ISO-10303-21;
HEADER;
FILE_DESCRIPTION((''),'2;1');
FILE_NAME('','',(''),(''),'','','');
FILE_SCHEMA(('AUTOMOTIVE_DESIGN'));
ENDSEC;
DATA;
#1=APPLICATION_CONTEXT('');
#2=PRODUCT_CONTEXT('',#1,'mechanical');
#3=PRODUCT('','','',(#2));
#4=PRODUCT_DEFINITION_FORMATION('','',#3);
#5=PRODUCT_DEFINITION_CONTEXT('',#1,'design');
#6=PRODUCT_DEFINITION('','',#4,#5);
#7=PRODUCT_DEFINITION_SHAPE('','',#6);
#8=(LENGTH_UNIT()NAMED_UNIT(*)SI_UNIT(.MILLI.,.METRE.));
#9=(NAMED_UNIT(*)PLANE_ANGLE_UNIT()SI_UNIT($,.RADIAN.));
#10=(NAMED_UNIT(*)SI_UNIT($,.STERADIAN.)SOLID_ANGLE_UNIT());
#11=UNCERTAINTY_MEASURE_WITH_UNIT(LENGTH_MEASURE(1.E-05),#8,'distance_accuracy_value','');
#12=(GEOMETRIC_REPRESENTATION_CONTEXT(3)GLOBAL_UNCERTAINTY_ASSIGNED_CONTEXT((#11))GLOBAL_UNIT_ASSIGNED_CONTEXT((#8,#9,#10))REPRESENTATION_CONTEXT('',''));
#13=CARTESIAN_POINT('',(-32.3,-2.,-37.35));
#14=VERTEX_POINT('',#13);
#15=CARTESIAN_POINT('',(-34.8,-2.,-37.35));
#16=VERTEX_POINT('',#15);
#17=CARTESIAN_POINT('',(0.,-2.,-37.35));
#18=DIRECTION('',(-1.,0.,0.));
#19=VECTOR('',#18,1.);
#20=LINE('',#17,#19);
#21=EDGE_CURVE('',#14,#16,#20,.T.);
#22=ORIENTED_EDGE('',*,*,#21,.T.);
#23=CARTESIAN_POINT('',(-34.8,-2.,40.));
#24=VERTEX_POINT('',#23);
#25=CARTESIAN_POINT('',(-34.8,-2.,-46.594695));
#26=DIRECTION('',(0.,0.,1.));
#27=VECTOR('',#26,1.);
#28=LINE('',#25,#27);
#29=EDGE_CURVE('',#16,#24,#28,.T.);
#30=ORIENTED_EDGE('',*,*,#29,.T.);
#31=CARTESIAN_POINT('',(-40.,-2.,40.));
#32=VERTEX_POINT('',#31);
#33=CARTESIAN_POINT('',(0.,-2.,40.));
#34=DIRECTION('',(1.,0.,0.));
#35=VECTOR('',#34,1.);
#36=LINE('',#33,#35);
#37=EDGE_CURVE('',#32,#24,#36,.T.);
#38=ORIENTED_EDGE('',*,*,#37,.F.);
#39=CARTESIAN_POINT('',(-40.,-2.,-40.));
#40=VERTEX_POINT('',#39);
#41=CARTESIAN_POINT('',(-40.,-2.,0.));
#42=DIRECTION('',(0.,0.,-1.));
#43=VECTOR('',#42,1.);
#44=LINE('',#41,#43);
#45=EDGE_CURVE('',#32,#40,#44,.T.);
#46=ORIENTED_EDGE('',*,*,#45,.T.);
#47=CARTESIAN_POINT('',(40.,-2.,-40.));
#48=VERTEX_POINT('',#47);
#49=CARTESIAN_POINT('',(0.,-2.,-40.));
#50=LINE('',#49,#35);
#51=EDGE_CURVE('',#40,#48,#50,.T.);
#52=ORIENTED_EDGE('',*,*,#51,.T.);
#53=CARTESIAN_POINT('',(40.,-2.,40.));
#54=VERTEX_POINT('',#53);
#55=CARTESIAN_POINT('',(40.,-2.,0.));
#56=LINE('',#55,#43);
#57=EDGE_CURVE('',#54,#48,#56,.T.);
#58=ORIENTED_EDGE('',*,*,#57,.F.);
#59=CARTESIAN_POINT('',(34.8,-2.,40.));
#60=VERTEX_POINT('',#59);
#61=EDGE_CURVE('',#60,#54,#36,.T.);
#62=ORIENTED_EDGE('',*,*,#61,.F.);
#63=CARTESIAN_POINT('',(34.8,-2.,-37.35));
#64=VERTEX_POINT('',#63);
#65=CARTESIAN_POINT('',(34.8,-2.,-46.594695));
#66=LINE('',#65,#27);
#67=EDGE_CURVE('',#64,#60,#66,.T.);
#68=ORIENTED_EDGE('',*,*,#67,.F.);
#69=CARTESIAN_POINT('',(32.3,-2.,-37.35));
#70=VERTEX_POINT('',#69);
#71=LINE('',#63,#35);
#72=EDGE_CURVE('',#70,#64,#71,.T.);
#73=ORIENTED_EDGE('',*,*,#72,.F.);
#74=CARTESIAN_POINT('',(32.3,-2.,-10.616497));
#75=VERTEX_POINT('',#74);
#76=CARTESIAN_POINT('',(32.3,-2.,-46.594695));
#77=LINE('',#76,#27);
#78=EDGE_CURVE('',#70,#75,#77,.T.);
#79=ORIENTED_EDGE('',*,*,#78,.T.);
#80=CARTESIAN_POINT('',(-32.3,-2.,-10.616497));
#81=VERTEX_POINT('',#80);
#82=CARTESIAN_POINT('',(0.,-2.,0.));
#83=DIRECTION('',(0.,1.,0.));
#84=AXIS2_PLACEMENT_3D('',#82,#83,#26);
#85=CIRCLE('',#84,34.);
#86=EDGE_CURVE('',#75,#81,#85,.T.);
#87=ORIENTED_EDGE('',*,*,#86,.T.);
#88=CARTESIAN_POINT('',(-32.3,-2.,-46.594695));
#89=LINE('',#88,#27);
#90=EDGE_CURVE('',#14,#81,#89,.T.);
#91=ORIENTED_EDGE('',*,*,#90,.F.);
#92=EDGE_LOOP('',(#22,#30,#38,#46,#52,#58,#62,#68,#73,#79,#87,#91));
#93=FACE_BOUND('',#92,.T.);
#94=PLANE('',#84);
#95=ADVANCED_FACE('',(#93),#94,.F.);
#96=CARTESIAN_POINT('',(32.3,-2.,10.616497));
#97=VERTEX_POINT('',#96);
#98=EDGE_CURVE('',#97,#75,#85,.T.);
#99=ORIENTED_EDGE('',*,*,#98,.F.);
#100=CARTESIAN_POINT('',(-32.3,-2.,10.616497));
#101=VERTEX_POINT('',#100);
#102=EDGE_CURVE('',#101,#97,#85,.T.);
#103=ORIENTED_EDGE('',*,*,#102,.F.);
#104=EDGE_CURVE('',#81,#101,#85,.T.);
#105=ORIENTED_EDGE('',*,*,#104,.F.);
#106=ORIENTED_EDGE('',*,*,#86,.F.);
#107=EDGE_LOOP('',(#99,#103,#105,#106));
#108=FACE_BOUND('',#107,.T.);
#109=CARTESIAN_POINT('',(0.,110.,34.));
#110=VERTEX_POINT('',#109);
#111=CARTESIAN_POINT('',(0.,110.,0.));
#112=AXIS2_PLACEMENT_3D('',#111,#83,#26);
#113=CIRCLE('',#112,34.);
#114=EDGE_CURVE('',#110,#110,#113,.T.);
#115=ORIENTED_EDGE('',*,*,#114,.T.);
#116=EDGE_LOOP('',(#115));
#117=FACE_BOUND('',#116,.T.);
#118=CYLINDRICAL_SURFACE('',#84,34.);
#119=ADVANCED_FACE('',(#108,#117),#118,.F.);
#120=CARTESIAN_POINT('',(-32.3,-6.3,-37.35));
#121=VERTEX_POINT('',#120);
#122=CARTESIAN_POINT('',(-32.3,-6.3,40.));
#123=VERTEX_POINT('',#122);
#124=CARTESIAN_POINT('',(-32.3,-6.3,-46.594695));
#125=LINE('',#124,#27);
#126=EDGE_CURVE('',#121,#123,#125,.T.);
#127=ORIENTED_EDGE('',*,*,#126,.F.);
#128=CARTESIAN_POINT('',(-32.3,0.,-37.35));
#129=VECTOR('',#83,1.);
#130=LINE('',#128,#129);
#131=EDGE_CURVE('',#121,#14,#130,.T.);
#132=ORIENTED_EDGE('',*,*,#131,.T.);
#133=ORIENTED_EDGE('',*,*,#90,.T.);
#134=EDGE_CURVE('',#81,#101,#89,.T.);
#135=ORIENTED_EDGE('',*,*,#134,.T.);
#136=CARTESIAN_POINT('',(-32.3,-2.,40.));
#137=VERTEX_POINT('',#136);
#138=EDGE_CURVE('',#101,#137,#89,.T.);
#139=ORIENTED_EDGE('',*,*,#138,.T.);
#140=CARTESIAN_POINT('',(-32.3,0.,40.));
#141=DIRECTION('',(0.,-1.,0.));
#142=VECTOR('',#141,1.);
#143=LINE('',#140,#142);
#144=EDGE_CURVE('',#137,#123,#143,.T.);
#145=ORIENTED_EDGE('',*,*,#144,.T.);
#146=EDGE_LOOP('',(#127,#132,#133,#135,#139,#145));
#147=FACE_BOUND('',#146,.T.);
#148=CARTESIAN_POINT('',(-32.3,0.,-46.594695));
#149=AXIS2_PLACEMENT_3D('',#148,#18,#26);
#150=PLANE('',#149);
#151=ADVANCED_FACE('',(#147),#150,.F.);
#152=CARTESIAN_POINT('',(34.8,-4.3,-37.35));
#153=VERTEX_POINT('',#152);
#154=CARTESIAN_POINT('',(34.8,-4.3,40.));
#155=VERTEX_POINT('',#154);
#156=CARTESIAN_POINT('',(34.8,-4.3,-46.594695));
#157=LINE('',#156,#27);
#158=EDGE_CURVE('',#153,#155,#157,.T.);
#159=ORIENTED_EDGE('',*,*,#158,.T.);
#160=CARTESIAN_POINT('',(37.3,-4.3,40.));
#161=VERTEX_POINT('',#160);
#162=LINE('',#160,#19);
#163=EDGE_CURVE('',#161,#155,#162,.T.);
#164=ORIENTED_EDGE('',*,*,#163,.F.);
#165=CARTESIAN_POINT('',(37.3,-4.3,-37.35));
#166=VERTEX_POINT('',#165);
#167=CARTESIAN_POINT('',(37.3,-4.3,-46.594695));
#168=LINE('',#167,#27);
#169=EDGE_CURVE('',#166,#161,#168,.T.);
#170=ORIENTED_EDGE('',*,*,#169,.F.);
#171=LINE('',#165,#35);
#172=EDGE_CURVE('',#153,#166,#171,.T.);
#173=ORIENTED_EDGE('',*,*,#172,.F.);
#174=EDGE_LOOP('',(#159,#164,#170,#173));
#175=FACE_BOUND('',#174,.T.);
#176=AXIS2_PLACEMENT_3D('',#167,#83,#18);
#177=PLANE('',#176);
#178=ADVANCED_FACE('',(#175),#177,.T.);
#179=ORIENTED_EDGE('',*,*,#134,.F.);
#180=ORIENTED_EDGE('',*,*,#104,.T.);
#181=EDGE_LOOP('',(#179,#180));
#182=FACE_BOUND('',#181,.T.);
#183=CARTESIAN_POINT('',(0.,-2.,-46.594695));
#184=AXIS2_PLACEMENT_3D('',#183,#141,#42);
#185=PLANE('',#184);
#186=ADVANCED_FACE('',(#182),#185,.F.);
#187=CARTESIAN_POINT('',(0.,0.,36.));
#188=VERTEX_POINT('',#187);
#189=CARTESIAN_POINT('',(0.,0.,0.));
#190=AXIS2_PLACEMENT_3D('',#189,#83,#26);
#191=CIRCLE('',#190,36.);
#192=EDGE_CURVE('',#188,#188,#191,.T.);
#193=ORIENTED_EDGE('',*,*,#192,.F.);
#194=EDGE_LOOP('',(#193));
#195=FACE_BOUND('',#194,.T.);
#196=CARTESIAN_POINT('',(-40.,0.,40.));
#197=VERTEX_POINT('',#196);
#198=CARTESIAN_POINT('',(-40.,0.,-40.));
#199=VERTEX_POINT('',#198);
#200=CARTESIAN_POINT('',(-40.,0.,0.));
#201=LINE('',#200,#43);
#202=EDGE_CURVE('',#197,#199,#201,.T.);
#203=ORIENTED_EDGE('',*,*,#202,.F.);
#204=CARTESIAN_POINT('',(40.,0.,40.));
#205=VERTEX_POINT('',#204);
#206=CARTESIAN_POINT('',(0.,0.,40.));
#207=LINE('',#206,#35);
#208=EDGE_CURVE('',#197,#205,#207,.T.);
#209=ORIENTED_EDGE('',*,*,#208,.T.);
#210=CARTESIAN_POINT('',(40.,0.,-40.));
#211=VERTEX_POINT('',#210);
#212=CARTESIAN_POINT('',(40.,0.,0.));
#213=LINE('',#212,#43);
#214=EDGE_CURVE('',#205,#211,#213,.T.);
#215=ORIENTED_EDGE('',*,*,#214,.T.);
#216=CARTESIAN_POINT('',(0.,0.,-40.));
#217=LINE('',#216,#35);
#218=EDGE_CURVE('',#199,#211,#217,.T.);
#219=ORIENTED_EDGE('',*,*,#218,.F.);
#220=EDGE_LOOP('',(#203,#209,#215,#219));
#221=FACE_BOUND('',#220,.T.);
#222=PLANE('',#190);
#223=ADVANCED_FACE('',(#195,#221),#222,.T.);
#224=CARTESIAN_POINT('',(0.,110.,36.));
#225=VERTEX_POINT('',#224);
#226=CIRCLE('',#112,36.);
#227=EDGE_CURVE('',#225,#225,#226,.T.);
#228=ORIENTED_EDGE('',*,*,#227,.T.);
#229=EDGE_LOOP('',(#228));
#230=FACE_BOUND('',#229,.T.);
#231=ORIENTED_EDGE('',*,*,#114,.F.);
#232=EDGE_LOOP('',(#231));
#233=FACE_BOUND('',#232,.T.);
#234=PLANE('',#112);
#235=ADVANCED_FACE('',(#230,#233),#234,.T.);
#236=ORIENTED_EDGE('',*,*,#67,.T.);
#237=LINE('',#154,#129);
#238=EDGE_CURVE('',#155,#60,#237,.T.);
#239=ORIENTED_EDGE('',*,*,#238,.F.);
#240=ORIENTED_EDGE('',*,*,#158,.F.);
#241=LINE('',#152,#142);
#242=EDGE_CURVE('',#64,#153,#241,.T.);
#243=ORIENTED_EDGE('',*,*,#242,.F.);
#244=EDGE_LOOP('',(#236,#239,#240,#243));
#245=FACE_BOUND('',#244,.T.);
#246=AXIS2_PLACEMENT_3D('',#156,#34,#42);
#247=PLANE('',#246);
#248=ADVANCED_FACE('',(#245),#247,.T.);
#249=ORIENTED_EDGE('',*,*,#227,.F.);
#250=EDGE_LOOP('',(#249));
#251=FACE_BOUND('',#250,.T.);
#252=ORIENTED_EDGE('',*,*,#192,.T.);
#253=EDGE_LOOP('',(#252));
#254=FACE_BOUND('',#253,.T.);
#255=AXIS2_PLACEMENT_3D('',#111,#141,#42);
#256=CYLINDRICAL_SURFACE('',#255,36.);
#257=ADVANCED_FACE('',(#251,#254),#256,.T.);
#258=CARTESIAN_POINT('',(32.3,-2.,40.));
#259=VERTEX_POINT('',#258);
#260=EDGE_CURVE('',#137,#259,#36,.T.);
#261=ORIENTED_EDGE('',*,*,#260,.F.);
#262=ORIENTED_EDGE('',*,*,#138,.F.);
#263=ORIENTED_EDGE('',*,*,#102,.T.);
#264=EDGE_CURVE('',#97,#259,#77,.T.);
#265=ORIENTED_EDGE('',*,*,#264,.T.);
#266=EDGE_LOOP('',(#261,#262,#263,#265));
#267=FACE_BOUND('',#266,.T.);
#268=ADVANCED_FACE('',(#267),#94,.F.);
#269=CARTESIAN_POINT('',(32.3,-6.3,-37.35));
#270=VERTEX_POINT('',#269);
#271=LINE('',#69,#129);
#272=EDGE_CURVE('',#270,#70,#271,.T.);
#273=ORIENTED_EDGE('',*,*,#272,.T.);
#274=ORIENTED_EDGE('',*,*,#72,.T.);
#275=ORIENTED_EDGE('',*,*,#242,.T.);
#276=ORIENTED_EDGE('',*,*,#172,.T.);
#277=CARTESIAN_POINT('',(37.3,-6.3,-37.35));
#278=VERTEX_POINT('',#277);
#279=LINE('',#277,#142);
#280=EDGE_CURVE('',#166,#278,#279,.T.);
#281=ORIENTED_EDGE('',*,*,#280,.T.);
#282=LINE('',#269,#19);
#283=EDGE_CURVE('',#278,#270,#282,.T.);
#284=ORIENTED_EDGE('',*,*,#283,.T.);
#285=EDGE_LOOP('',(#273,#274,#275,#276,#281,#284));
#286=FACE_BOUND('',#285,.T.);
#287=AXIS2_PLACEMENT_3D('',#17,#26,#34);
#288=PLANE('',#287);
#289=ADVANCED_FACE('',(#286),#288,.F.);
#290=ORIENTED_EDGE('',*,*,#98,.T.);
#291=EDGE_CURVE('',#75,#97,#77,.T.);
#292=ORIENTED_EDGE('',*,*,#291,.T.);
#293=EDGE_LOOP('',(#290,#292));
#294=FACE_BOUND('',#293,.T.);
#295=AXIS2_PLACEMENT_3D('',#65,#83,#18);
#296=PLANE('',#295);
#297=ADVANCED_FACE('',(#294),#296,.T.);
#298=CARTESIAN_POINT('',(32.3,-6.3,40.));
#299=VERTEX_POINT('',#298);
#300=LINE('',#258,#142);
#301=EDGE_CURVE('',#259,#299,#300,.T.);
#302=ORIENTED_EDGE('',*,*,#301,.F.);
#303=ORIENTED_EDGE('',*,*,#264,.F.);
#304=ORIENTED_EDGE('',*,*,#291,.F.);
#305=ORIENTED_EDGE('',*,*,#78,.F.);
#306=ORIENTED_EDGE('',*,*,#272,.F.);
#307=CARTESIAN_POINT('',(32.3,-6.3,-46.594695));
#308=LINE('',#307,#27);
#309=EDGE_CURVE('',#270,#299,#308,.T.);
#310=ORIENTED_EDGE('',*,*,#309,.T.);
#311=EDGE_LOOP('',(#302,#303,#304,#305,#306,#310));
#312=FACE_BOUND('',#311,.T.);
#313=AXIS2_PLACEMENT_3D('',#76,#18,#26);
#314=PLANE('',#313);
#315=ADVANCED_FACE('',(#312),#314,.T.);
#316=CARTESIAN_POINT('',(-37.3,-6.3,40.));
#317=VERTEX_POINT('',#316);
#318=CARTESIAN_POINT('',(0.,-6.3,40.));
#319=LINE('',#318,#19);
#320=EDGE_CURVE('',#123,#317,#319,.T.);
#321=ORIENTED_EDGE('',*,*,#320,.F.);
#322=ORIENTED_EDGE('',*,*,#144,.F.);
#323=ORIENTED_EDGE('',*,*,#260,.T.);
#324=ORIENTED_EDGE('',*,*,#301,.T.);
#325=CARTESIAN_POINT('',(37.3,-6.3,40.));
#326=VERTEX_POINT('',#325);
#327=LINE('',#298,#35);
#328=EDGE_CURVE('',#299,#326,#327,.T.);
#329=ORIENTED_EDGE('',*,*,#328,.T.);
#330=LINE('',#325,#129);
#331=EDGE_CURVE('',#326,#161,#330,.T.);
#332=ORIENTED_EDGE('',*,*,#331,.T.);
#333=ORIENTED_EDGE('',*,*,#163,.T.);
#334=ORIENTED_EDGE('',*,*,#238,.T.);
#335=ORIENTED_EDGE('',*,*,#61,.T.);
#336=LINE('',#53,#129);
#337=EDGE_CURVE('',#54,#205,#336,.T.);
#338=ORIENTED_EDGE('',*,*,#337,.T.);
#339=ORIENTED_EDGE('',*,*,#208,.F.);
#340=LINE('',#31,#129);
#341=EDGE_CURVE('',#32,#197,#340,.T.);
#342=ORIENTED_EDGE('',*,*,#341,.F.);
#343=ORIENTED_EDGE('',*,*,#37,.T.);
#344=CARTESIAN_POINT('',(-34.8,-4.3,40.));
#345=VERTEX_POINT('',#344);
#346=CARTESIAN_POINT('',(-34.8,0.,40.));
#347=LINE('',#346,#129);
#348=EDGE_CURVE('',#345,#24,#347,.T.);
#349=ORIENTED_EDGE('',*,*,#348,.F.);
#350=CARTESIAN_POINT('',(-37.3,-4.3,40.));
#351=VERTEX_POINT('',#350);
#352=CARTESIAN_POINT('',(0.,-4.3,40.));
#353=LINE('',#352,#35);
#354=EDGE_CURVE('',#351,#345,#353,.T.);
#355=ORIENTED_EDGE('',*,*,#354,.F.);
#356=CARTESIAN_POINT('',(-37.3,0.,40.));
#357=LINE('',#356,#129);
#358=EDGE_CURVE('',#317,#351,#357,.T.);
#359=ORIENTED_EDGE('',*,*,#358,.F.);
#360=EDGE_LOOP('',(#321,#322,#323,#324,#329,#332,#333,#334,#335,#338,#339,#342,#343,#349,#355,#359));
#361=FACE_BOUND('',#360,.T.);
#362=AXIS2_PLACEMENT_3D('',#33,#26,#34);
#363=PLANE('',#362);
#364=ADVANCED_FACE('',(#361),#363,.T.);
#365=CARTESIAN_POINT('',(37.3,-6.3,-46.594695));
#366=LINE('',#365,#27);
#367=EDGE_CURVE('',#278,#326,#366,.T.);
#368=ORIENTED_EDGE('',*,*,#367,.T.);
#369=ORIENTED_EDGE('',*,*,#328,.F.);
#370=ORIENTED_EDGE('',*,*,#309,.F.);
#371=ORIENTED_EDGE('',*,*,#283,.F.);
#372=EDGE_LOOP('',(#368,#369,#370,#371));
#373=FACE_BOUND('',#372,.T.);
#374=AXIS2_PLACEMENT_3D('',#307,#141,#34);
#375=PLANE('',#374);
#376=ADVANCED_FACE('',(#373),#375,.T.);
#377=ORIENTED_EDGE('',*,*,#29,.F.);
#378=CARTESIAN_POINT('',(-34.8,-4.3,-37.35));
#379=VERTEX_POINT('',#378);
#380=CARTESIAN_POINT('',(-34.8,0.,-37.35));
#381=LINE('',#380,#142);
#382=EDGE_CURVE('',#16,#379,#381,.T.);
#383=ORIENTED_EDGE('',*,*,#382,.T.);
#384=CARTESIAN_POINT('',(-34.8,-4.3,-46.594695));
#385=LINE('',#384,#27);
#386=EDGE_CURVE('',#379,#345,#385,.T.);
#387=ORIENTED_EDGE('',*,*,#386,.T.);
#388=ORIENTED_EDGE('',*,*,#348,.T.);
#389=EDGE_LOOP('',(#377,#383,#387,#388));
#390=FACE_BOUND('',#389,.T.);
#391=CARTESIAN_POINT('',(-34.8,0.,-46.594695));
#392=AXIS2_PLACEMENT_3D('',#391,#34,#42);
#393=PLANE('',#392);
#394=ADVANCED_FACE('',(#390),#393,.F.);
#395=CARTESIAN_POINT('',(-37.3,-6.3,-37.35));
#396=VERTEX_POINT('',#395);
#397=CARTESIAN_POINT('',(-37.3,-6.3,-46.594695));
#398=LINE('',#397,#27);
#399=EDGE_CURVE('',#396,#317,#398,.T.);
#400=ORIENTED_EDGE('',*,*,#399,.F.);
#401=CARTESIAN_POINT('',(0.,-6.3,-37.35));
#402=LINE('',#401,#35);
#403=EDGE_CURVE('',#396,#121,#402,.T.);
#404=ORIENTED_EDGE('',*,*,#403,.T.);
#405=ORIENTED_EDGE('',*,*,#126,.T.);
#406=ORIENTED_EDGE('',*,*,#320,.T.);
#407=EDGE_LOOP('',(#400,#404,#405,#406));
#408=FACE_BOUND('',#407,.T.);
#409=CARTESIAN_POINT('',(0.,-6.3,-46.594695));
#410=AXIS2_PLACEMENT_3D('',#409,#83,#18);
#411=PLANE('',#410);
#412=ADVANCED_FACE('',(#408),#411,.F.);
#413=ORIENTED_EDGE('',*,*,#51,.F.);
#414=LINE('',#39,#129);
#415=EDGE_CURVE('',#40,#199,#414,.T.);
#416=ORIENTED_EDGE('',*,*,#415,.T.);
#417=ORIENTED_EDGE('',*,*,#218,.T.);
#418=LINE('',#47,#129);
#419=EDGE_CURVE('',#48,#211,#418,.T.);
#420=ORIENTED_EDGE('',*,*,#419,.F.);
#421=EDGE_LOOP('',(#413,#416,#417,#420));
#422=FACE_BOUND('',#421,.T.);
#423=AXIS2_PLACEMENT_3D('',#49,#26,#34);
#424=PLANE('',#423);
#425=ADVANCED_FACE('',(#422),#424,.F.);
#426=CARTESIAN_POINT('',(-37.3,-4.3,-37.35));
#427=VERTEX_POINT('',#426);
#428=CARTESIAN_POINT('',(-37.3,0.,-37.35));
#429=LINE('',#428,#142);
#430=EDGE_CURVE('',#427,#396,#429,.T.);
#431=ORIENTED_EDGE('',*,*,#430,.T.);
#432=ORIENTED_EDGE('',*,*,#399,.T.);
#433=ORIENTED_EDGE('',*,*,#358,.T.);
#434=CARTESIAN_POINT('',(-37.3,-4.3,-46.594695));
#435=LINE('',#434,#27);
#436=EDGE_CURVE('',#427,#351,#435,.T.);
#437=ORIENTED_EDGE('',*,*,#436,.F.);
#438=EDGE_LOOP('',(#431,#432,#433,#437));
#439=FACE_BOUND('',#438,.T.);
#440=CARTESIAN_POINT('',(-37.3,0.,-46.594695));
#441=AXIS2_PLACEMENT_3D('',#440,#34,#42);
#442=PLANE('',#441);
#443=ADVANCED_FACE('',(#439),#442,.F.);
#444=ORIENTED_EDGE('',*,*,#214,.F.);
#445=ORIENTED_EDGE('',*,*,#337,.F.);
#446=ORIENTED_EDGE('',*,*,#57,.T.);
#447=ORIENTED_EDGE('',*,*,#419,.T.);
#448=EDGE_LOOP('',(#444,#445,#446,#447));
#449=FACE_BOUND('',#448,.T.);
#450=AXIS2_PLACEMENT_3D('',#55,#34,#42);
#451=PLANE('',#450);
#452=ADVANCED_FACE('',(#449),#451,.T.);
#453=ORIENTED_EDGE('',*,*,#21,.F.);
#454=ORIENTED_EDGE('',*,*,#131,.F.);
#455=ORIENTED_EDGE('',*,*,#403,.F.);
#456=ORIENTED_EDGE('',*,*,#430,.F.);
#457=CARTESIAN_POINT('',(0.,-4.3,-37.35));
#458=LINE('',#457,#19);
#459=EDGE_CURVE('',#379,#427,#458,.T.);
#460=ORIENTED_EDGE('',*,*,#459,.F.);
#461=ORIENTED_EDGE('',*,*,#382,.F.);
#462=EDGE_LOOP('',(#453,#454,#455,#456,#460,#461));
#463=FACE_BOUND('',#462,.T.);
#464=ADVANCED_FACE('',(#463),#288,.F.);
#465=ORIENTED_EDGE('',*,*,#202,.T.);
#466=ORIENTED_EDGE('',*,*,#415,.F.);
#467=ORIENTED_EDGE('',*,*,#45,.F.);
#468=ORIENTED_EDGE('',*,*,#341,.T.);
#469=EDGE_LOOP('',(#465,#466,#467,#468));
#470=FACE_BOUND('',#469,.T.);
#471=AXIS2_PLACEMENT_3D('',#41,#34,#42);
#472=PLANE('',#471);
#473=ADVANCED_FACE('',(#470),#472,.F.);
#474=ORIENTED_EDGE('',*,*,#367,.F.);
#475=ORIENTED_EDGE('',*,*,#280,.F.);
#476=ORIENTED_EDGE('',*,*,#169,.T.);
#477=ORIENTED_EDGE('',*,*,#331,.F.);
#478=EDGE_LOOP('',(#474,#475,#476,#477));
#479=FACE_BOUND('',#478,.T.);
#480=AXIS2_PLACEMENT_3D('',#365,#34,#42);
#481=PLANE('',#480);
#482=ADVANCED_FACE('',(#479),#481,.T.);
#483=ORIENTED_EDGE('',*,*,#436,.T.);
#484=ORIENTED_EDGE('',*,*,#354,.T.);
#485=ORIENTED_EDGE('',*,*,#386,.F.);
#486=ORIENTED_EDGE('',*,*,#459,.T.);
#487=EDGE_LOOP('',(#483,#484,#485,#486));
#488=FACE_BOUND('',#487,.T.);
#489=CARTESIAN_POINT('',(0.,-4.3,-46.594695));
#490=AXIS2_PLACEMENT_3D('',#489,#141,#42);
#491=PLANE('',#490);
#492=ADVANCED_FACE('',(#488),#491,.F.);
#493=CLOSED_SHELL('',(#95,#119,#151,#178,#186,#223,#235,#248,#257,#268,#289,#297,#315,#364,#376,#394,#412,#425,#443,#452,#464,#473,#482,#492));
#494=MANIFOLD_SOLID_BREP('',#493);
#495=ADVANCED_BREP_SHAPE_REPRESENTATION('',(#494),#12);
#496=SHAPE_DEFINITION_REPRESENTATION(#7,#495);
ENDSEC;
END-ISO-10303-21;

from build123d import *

# Parameters (mm, degrees)
SKETCH1_W           = 80
SKETCH1_H           = 80
SKETCH1_R           = 36
SKETCH1_R_2         = 34
BOSS_EXTRUDE3_DEPTH = 2
BOSS_EXTRUDE4_START = 110
SKETCH1_7_R         = 36
SKETCH1_7_R_2       = 34
BOSS_EXTRUDE4_DEPTH = 110
BOSS_EXTRUDE5_DEPTH = 77.35


with BuildPart() as part:
    # Sketch1 → Boss-Extrude3 (new body)
    # profile 1 of 2: a face of its own
    with BuildSketch(Plane(origin=(0, 0, 0), x_dir=(1, 0, 0), z_dir=(0, 1, 0))):
        Rectangle(SKETCH1_W, SKETCH1_H)
        Circle(SKETCH1_R, mode=Mode.SUBTRACT)
    # profile 2 of 2: a face of its own
    with BuildSketch(Plane(origin=(0, 0, 0), x_dir=(1, 0, 0), z_dir=(0, 1, 0))):
        Circle(SKETCH1_R)
        with Locations(Location((0, 0, 0), (0, 0, 270))):
            Circle(SKETCH1_R_2, mode=Mode.SUBTRACT)
    extrude(amount=-BOSS_EXTRUDE3_DEPTH)

    # Sketch1<7> → Boss-Extrude4 (add)
    with BuildSketch(Plane(origin=(0, 0, 0), x_dir=(1, 0, 0), z_dir=(0, 1, 0)).offset(BOSS_EXTRUDE4_START)):
        with Locations(Location((0, 0, 0), (0, 0, 270))):
            Circle(SKETCH1_7_R)
        with Locations(Location((0, 0, 0), (0, 0, 270))):
            Circle(SKETCH1_7_R_2, mode=Mode.SUBTRACT)
    extrude(amount=-BOSS_EXTRUDE4_DEPTH)

    # Sketch3 → Boss-Extrude5 (add)
    with BuildSketch(Plane.XY.offset(40)):
        Polygon((-32.3, -2), (-34.8, -2), (-34.8, -4.3), (-37.3, -4.3), (-37.3, -6.3), (-32.3, -6.3), align=None)
        Polygon((32.3, -6.3), (37.3, -6.3), (37.3, -4.3), (34.8, -4.3), (34.8, -2), (32.3, -2), align=None)
    extrude(amount=-BOSS_EXTRUDE5_DEPTH)


solid = part.part
